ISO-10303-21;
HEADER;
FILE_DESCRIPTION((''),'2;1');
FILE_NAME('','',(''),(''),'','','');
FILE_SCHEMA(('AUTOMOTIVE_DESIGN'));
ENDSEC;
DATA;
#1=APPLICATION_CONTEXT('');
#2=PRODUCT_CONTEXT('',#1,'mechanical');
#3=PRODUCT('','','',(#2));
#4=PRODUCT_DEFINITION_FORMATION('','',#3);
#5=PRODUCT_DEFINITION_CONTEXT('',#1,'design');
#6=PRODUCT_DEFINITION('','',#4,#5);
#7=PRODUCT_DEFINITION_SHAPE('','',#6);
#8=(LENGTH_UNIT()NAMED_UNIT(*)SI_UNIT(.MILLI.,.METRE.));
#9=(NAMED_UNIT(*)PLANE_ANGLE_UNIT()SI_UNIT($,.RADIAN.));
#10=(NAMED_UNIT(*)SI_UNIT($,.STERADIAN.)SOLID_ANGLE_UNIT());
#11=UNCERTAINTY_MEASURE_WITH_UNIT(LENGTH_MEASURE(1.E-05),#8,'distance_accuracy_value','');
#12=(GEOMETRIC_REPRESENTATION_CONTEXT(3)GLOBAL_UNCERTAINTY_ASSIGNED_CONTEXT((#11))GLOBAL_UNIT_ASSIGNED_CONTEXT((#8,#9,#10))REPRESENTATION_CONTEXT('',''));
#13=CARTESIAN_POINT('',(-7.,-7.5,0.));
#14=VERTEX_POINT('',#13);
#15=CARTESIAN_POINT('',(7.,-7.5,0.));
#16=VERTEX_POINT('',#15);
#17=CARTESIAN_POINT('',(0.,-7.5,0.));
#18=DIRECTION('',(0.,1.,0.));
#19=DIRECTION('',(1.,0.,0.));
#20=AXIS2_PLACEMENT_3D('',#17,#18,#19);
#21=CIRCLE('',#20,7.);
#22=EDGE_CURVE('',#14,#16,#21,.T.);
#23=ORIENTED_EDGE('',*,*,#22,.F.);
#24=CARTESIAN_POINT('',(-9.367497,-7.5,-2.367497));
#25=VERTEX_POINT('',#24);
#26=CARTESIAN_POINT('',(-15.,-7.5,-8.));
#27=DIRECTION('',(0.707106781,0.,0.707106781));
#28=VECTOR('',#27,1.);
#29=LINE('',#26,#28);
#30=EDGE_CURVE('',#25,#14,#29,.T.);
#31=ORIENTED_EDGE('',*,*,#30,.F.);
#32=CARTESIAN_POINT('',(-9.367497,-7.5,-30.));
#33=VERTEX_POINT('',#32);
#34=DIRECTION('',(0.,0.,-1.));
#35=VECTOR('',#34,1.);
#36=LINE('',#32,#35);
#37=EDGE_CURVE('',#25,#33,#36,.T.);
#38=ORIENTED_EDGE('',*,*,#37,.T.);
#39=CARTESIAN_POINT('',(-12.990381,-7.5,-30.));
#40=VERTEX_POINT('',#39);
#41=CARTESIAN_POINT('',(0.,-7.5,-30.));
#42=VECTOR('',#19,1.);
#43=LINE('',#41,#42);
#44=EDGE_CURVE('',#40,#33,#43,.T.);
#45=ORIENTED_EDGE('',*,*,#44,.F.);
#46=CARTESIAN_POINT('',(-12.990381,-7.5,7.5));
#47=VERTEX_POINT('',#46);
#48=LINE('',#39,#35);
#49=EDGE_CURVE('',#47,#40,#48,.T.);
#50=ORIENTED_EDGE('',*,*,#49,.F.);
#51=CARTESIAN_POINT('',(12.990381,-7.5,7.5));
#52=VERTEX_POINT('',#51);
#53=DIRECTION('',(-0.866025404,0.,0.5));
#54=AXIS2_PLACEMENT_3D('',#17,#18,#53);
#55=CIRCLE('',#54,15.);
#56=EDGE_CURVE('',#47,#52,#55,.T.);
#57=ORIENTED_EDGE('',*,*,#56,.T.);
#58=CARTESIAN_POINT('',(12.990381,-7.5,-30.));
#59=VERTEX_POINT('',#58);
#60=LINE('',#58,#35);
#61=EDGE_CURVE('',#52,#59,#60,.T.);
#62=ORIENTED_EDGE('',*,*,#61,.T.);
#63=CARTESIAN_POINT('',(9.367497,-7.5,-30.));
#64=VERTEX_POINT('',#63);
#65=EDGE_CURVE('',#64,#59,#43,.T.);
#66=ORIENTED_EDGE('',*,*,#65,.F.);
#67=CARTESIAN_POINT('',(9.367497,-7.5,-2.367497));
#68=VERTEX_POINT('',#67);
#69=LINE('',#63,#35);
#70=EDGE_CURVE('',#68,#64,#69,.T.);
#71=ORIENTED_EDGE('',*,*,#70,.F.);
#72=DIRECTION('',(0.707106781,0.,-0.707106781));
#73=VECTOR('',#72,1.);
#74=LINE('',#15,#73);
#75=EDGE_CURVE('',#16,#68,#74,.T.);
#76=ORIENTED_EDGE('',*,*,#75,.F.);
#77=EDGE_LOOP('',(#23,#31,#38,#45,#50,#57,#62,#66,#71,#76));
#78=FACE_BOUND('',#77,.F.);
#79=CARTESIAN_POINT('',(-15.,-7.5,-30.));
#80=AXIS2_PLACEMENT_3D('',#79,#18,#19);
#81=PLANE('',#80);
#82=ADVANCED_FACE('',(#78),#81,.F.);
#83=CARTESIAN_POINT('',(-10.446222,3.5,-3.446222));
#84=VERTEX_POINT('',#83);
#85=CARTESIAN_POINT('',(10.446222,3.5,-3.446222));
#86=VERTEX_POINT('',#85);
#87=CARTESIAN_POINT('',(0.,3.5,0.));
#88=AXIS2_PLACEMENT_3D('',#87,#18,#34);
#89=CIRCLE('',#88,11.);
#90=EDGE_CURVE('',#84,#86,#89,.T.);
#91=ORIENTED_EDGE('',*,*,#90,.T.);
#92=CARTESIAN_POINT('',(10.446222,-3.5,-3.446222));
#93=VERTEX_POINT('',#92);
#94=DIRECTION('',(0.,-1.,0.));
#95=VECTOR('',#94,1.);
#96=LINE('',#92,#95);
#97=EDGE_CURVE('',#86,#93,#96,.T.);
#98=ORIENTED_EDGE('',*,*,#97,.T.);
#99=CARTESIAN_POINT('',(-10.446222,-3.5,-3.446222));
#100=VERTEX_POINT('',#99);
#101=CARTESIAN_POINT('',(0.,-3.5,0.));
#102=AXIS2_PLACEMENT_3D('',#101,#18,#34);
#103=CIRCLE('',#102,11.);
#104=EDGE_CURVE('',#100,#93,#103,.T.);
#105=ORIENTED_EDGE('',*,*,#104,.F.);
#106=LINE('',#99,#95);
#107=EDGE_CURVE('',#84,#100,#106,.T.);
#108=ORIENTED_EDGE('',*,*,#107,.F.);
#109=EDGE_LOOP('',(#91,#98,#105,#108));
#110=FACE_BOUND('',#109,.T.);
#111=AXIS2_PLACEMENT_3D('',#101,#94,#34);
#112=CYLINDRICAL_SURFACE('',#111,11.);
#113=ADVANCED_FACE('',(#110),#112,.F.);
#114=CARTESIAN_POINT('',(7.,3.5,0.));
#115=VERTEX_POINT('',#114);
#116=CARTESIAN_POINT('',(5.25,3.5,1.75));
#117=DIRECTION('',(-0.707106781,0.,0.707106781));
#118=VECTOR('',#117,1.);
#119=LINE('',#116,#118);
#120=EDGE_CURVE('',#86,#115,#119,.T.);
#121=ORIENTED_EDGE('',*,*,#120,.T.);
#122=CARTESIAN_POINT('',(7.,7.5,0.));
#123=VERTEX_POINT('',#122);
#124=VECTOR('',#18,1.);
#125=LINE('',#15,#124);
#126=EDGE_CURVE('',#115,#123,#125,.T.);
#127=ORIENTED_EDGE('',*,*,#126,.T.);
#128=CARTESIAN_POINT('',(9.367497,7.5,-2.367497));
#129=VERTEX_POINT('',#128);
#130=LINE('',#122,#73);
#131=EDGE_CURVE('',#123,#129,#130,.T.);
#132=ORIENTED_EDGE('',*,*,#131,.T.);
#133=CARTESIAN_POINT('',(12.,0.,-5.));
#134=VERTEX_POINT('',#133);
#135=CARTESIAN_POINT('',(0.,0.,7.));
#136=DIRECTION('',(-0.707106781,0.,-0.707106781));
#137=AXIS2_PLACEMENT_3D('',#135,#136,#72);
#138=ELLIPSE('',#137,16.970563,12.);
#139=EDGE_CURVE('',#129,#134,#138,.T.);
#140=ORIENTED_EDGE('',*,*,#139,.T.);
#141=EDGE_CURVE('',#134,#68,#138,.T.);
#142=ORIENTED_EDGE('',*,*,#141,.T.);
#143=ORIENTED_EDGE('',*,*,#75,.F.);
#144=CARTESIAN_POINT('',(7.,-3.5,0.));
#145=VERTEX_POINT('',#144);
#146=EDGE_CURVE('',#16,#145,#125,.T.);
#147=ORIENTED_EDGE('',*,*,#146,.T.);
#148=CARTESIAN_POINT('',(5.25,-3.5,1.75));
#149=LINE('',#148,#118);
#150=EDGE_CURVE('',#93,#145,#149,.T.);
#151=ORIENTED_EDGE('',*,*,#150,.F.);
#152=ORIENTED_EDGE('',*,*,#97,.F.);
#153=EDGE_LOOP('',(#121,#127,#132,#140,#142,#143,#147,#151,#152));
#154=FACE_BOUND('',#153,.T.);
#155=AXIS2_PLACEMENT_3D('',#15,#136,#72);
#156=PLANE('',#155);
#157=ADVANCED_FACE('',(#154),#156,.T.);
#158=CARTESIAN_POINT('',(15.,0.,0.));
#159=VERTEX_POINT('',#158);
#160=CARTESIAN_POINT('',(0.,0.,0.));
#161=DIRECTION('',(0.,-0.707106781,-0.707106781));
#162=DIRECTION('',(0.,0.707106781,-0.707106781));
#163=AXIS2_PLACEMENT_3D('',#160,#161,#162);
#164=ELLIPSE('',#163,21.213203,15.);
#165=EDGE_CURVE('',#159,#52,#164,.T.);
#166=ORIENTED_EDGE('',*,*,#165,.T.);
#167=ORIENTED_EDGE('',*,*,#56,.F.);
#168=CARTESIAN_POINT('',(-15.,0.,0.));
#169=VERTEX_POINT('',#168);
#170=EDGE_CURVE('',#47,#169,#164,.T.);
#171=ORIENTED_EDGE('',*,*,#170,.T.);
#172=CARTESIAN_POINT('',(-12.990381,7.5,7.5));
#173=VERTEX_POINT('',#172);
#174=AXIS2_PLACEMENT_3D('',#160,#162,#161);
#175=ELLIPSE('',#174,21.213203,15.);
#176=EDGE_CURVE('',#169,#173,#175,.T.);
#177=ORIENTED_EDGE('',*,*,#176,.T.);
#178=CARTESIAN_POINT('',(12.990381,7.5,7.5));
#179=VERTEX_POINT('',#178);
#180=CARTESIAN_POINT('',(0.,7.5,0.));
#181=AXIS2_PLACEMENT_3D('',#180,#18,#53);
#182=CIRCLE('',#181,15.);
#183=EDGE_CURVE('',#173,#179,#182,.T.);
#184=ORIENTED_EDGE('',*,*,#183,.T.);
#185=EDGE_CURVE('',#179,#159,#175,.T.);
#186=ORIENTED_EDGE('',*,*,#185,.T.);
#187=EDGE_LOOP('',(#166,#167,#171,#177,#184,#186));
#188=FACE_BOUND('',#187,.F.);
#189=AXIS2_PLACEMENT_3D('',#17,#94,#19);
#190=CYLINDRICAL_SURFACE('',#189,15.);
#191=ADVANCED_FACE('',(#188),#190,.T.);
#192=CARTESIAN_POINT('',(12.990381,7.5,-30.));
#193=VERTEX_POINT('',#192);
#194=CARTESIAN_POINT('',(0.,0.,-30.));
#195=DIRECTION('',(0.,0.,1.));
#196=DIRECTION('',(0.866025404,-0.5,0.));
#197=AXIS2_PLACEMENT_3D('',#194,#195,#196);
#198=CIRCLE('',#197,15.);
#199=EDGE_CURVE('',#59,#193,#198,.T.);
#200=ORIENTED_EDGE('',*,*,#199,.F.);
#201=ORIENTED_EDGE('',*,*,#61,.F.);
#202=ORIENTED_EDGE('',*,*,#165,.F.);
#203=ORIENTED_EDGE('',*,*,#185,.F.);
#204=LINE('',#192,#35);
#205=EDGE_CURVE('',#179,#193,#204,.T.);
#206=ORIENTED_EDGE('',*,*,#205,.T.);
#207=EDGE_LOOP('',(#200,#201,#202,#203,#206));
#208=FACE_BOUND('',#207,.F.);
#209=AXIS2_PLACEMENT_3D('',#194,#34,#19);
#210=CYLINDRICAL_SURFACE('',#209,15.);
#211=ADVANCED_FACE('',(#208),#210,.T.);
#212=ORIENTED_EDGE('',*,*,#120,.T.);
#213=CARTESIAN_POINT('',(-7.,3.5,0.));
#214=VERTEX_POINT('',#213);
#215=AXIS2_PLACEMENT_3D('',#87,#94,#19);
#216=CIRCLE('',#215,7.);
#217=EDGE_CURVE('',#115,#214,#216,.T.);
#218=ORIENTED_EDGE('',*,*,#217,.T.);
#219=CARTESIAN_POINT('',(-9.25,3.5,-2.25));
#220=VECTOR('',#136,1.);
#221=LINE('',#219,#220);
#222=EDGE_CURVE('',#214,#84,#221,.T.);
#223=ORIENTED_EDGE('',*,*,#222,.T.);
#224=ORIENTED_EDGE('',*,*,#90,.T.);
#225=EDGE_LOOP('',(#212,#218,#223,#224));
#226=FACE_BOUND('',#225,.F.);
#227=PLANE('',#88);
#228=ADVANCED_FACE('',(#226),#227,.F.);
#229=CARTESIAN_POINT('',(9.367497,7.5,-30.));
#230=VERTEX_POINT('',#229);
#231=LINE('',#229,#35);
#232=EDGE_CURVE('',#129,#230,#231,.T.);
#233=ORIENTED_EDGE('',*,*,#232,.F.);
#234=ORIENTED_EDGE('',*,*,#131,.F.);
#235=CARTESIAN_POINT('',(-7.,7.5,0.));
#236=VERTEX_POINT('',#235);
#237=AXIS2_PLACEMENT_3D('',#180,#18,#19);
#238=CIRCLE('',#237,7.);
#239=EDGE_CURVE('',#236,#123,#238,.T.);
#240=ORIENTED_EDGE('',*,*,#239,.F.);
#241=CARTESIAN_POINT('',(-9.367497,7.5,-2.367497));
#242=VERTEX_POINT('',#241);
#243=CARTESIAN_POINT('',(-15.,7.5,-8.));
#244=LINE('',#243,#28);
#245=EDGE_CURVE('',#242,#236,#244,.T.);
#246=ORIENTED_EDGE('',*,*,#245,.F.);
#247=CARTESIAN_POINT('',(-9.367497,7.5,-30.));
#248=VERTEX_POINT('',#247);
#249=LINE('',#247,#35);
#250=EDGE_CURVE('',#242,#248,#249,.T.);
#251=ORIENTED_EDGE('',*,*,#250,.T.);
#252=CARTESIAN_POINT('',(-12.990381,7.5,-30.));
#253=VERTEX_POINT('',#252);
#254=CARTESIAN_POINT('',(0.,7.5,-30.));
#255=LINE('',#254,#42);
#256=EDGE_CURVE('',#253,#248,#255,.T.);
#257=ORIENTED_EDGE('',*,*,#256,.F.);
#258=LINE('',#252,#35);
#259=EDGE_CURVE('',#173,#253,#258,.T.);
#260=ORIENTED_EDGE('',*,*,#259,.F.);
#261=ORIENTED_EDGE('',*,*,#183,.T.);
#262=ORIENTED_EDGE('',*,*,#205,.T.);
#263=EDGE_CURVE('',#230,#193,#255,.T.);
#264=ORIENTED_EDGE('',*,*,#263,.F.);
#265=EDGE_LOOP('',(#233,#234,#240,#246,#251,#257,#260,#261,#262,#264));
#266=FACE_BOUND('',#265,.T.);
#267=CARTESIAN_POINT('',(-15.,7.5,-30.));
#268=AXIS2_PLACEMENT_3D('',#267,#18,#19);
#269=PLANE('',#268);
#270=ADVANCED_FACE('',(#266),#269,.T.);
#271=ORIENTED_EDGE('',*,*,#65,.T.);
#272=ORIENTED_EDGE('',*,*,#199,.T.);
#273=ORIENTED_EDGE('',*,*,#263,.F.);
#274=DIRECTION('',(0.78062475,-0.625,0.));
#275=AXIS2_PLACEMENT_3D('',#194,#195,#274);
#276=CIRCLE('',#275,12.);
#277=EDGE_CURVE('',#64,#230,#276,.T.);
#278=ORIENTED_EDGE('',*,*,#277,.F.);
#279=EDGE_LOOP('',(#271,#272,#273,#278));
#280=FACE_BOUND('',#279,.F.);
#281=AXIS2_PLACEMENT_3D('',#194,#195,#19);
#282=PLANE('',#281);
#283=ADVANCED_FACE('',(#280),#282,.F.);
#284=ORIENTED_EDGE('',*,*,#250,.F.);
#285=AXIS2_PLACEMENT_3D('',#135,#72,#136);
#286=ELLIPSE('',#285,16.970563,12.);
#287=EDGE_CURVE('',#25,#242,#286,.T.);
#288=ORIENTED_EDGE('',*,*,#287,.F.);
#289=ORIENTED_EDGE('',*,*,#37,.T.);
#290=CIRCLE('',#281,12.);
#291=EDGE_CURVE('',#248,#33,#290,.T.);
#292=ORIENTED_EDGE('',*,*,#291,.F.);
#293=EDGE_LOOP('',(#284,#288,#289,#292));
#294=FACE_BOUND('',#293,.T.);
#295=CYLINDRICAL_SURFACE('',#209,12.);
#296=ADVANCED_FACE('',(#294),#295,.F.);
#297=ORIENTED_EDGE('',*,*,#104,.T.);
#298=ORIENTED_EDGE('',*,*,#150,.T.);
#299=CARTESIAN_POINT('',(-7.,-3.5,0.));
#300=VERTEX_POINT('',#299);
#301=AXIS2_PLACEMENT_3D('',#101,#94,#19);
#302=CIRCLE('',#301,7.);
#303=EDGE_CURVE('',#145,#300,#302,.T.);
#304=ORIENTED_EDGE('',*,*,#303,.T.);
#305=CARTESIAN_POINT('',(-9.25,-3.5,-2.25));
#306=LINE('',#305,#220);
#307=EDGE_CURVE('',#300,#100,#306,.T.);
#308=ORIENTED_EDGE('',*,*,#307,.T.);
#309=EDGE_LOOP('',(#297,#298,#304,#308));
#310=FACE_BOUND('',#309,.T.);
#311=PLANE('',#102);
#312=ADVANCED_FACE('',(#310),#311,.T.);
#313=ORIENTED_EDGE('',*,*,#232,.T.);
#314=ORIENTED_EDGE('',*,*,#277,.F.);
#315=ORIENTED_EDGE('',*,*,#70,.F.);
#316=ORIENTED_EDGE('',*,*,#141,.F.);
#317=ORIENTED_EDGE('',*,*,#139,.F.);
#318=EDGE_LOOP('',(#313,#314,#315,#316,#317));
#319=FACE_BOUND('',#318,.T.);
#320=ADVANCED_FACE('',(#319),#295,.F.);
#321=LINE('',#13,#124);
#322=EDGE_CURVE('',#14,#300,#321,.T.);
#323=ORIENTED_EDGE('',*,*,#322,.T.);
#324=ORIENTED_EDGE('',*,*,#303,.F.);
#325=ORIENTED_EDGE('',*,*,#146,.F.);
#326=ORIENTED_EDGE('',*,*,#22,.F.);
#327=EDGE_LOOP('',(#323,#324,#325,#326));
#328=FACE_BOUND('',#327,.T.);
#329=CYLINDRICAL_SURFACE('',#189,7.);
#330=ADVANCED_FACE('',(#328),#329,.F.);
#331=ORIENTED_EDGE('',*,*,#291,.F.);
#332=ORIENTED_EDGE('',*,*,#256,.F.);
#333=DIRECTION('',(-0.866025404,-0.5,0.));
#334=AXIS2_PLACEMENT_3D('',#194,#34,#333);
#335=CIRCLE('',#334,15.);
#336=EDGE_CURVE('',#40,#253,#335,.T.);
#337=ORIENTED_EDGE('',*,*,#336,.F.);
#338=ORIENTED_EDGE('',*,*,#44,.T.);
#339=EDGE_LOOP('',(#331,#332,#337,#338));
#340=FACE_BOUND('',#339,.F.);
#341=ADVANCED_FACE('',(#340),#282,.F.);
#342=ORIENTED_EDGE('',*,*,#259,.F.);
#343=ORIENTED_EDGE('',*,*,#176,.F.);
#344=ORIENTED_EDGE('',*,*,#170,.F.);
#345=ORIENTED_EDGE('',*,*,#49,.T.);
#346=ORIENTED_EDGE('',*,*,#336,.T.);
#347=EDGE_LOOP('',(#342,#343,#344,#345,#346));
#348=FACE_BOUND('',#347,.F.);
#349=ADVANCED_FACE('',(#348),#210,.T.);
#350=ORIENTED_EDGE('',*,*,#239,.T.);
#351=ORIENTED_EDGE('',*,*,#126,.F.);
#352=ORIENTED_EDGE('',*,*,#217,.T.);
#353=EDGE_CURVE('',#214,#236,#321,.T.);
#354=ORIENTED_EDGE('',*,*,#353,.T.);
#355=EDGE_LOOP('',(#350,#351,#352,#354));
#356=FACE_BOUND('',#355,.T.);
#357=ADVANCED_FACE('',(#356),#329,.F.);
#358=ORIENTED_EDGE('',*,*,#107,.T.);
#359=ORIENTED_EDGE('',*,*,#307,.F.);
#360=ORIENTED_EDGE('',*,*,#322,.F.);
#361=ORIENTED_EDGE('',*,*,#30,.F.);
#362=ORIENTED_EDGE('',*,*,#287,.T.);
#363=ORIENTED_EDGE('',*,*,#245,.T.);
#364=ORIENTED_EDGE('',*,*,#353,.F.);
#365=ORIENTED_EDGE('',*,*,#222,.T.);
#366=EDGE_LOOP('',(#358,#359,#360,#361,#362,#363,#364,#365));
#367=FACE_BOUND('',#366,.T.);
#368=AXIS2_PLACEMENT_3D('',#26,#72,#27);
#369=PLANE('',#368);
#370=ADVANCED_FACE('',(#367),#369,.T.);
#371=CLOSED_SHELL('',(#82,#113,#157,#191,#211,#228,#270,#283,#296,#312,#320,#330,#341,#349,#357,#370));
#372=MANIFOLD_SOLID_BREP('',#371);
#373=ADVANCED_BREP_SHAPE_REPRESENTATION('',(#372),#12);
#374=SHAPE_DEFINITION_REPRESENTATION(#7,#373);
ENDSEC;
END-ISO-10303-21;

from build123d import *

# Parameters (mm, degrees)
CYLINDER002_R          = 7
CYLINDER002_DEPTH      = 15
CYLINDER002_ROLL_ANGLE = -90
PAD_DEPTH              = 15
CYLINDER003_R          = 12
CYLINDER003_DEPTH      = 30
CYLINDER_R             = 11
CYLINDER_DEPTH         = 7
BOX_W                  = 30
BOX_H                  = 15
BOX_DEPTH              = 30
CYLINDER001_R          = 15
CYLINDER001_DEPTH      = 15
CYLINDER001_ROLL_ANGLE = -90
CYLINDER004_R          = 15
CYLINDER004_DEPTH      = 45


with BuildPart() as cylinder001:
    # Cylinder002 → Cylinder002 (new body)
    with BuildSketch(Plane.XY):
        Circle(CYLINDER002_R)
    extrude(amount=CYLINDER002_DEPTH)


with BuildPart() as cylinder001_1:
    # Cylinder002 roll: moved
    add(cylinder001.part.rotate(Axis((0, 0, 0), (1, 0, 0)), CYLINDER002_ROLL_ANGLE))


with BuildPart() as cylinder001_2:
    # Cylinder002 placement: moved
    add(cylinder001_1.part.moved(Location((0, -7.5, 0))))


with BuildPart() as body:
    # Sketch → Pad (new body)
    with BuildSketch(Plane.XZ):
        Polygon((-7, 0), (7, 0), (15, -8), (15, -30), (-15, -30), (-15, -8), align=None)
    extrude(amount=-PAD_DEPTH)


with BuildPart() as body_1:
    # Body placement: moved
    add(body.part.moved(Location((0, -7.5, 0))))


with BuildPart() as common:
    # Cylinder003 → Cylinder003 (new body)
    with BuildSketch(Plane.XY.offset(-30)):
        Circle(CYLINDER003_R)
    extrude(amount=CYLINDER003_DEPTH)

    # Common: intersect Body
    add(body_1.part, mode=Mode.INTERSECT)


with BuildPart() as negative_fusion:
    # Cylinder → Cylinder (new body)
    with BuildSketch(Plane(origin=(0, -3.5, 0), x_dir=(0, 0, -1), z_dir=(0, 1, 0))):
        Circle(CYLINDER_R)
    extrude(amount=CYLINDER_DEPTH)

    # Fusion: union Cylinder001, Common
    add(cylinder001_2.part)
    add(common.part)


with BuildPart() as cube:
    # Box → Box (new body)
    with BuildSketch(Plane(origin=(-15, -7.5, -30), x_dir=(1, 0, 0), z_dir=(0, 0, 1))):
        with Locations((15, 7.5)):
            Rectangle(BOX_W, BOX_H)
    extrude(amount=BOX_DEPTH)


with BuildPart() as cut:
    # Cylinder001 → Cylinder001 (new body)
    with BuildSketch(Plane.XY):
        Circle(CYLINDER001_R)
    extrude(amount=CYLINDER001_DEPTH)


with BuildPart() as cut_1:
    # Cylinder001 roll: moved
    add(cut.part.rotate(Axis((0, 0, 0), (1, 0, 0)), CYLINDER001_ROLL_ANGLE))


with BuildPart() as cut_2:
    # Cylinder001 placement: moved
    add(cut_1.part.moved(Location((0, -7.5, 0))))

    # Fusion001: union Cube
    add(cube.part)

    # Cut: cut Negative Fusion
    add(negative_fusion.part, mode=Mode.SUBTRACT)


with BuildPart() as common001:
    # Cylinder004 → Cylinder004 (new body)
    with BuildSketch(Plane.XY.offset(-30)):
        Circle(CYLINDER004_R)
    extrude(amount=CYLINDER004_DEPTH)

    # Common001: intersect Cut
    add(cut_2.part, mode=Mode.INTERSECT)


solid = common001.part
